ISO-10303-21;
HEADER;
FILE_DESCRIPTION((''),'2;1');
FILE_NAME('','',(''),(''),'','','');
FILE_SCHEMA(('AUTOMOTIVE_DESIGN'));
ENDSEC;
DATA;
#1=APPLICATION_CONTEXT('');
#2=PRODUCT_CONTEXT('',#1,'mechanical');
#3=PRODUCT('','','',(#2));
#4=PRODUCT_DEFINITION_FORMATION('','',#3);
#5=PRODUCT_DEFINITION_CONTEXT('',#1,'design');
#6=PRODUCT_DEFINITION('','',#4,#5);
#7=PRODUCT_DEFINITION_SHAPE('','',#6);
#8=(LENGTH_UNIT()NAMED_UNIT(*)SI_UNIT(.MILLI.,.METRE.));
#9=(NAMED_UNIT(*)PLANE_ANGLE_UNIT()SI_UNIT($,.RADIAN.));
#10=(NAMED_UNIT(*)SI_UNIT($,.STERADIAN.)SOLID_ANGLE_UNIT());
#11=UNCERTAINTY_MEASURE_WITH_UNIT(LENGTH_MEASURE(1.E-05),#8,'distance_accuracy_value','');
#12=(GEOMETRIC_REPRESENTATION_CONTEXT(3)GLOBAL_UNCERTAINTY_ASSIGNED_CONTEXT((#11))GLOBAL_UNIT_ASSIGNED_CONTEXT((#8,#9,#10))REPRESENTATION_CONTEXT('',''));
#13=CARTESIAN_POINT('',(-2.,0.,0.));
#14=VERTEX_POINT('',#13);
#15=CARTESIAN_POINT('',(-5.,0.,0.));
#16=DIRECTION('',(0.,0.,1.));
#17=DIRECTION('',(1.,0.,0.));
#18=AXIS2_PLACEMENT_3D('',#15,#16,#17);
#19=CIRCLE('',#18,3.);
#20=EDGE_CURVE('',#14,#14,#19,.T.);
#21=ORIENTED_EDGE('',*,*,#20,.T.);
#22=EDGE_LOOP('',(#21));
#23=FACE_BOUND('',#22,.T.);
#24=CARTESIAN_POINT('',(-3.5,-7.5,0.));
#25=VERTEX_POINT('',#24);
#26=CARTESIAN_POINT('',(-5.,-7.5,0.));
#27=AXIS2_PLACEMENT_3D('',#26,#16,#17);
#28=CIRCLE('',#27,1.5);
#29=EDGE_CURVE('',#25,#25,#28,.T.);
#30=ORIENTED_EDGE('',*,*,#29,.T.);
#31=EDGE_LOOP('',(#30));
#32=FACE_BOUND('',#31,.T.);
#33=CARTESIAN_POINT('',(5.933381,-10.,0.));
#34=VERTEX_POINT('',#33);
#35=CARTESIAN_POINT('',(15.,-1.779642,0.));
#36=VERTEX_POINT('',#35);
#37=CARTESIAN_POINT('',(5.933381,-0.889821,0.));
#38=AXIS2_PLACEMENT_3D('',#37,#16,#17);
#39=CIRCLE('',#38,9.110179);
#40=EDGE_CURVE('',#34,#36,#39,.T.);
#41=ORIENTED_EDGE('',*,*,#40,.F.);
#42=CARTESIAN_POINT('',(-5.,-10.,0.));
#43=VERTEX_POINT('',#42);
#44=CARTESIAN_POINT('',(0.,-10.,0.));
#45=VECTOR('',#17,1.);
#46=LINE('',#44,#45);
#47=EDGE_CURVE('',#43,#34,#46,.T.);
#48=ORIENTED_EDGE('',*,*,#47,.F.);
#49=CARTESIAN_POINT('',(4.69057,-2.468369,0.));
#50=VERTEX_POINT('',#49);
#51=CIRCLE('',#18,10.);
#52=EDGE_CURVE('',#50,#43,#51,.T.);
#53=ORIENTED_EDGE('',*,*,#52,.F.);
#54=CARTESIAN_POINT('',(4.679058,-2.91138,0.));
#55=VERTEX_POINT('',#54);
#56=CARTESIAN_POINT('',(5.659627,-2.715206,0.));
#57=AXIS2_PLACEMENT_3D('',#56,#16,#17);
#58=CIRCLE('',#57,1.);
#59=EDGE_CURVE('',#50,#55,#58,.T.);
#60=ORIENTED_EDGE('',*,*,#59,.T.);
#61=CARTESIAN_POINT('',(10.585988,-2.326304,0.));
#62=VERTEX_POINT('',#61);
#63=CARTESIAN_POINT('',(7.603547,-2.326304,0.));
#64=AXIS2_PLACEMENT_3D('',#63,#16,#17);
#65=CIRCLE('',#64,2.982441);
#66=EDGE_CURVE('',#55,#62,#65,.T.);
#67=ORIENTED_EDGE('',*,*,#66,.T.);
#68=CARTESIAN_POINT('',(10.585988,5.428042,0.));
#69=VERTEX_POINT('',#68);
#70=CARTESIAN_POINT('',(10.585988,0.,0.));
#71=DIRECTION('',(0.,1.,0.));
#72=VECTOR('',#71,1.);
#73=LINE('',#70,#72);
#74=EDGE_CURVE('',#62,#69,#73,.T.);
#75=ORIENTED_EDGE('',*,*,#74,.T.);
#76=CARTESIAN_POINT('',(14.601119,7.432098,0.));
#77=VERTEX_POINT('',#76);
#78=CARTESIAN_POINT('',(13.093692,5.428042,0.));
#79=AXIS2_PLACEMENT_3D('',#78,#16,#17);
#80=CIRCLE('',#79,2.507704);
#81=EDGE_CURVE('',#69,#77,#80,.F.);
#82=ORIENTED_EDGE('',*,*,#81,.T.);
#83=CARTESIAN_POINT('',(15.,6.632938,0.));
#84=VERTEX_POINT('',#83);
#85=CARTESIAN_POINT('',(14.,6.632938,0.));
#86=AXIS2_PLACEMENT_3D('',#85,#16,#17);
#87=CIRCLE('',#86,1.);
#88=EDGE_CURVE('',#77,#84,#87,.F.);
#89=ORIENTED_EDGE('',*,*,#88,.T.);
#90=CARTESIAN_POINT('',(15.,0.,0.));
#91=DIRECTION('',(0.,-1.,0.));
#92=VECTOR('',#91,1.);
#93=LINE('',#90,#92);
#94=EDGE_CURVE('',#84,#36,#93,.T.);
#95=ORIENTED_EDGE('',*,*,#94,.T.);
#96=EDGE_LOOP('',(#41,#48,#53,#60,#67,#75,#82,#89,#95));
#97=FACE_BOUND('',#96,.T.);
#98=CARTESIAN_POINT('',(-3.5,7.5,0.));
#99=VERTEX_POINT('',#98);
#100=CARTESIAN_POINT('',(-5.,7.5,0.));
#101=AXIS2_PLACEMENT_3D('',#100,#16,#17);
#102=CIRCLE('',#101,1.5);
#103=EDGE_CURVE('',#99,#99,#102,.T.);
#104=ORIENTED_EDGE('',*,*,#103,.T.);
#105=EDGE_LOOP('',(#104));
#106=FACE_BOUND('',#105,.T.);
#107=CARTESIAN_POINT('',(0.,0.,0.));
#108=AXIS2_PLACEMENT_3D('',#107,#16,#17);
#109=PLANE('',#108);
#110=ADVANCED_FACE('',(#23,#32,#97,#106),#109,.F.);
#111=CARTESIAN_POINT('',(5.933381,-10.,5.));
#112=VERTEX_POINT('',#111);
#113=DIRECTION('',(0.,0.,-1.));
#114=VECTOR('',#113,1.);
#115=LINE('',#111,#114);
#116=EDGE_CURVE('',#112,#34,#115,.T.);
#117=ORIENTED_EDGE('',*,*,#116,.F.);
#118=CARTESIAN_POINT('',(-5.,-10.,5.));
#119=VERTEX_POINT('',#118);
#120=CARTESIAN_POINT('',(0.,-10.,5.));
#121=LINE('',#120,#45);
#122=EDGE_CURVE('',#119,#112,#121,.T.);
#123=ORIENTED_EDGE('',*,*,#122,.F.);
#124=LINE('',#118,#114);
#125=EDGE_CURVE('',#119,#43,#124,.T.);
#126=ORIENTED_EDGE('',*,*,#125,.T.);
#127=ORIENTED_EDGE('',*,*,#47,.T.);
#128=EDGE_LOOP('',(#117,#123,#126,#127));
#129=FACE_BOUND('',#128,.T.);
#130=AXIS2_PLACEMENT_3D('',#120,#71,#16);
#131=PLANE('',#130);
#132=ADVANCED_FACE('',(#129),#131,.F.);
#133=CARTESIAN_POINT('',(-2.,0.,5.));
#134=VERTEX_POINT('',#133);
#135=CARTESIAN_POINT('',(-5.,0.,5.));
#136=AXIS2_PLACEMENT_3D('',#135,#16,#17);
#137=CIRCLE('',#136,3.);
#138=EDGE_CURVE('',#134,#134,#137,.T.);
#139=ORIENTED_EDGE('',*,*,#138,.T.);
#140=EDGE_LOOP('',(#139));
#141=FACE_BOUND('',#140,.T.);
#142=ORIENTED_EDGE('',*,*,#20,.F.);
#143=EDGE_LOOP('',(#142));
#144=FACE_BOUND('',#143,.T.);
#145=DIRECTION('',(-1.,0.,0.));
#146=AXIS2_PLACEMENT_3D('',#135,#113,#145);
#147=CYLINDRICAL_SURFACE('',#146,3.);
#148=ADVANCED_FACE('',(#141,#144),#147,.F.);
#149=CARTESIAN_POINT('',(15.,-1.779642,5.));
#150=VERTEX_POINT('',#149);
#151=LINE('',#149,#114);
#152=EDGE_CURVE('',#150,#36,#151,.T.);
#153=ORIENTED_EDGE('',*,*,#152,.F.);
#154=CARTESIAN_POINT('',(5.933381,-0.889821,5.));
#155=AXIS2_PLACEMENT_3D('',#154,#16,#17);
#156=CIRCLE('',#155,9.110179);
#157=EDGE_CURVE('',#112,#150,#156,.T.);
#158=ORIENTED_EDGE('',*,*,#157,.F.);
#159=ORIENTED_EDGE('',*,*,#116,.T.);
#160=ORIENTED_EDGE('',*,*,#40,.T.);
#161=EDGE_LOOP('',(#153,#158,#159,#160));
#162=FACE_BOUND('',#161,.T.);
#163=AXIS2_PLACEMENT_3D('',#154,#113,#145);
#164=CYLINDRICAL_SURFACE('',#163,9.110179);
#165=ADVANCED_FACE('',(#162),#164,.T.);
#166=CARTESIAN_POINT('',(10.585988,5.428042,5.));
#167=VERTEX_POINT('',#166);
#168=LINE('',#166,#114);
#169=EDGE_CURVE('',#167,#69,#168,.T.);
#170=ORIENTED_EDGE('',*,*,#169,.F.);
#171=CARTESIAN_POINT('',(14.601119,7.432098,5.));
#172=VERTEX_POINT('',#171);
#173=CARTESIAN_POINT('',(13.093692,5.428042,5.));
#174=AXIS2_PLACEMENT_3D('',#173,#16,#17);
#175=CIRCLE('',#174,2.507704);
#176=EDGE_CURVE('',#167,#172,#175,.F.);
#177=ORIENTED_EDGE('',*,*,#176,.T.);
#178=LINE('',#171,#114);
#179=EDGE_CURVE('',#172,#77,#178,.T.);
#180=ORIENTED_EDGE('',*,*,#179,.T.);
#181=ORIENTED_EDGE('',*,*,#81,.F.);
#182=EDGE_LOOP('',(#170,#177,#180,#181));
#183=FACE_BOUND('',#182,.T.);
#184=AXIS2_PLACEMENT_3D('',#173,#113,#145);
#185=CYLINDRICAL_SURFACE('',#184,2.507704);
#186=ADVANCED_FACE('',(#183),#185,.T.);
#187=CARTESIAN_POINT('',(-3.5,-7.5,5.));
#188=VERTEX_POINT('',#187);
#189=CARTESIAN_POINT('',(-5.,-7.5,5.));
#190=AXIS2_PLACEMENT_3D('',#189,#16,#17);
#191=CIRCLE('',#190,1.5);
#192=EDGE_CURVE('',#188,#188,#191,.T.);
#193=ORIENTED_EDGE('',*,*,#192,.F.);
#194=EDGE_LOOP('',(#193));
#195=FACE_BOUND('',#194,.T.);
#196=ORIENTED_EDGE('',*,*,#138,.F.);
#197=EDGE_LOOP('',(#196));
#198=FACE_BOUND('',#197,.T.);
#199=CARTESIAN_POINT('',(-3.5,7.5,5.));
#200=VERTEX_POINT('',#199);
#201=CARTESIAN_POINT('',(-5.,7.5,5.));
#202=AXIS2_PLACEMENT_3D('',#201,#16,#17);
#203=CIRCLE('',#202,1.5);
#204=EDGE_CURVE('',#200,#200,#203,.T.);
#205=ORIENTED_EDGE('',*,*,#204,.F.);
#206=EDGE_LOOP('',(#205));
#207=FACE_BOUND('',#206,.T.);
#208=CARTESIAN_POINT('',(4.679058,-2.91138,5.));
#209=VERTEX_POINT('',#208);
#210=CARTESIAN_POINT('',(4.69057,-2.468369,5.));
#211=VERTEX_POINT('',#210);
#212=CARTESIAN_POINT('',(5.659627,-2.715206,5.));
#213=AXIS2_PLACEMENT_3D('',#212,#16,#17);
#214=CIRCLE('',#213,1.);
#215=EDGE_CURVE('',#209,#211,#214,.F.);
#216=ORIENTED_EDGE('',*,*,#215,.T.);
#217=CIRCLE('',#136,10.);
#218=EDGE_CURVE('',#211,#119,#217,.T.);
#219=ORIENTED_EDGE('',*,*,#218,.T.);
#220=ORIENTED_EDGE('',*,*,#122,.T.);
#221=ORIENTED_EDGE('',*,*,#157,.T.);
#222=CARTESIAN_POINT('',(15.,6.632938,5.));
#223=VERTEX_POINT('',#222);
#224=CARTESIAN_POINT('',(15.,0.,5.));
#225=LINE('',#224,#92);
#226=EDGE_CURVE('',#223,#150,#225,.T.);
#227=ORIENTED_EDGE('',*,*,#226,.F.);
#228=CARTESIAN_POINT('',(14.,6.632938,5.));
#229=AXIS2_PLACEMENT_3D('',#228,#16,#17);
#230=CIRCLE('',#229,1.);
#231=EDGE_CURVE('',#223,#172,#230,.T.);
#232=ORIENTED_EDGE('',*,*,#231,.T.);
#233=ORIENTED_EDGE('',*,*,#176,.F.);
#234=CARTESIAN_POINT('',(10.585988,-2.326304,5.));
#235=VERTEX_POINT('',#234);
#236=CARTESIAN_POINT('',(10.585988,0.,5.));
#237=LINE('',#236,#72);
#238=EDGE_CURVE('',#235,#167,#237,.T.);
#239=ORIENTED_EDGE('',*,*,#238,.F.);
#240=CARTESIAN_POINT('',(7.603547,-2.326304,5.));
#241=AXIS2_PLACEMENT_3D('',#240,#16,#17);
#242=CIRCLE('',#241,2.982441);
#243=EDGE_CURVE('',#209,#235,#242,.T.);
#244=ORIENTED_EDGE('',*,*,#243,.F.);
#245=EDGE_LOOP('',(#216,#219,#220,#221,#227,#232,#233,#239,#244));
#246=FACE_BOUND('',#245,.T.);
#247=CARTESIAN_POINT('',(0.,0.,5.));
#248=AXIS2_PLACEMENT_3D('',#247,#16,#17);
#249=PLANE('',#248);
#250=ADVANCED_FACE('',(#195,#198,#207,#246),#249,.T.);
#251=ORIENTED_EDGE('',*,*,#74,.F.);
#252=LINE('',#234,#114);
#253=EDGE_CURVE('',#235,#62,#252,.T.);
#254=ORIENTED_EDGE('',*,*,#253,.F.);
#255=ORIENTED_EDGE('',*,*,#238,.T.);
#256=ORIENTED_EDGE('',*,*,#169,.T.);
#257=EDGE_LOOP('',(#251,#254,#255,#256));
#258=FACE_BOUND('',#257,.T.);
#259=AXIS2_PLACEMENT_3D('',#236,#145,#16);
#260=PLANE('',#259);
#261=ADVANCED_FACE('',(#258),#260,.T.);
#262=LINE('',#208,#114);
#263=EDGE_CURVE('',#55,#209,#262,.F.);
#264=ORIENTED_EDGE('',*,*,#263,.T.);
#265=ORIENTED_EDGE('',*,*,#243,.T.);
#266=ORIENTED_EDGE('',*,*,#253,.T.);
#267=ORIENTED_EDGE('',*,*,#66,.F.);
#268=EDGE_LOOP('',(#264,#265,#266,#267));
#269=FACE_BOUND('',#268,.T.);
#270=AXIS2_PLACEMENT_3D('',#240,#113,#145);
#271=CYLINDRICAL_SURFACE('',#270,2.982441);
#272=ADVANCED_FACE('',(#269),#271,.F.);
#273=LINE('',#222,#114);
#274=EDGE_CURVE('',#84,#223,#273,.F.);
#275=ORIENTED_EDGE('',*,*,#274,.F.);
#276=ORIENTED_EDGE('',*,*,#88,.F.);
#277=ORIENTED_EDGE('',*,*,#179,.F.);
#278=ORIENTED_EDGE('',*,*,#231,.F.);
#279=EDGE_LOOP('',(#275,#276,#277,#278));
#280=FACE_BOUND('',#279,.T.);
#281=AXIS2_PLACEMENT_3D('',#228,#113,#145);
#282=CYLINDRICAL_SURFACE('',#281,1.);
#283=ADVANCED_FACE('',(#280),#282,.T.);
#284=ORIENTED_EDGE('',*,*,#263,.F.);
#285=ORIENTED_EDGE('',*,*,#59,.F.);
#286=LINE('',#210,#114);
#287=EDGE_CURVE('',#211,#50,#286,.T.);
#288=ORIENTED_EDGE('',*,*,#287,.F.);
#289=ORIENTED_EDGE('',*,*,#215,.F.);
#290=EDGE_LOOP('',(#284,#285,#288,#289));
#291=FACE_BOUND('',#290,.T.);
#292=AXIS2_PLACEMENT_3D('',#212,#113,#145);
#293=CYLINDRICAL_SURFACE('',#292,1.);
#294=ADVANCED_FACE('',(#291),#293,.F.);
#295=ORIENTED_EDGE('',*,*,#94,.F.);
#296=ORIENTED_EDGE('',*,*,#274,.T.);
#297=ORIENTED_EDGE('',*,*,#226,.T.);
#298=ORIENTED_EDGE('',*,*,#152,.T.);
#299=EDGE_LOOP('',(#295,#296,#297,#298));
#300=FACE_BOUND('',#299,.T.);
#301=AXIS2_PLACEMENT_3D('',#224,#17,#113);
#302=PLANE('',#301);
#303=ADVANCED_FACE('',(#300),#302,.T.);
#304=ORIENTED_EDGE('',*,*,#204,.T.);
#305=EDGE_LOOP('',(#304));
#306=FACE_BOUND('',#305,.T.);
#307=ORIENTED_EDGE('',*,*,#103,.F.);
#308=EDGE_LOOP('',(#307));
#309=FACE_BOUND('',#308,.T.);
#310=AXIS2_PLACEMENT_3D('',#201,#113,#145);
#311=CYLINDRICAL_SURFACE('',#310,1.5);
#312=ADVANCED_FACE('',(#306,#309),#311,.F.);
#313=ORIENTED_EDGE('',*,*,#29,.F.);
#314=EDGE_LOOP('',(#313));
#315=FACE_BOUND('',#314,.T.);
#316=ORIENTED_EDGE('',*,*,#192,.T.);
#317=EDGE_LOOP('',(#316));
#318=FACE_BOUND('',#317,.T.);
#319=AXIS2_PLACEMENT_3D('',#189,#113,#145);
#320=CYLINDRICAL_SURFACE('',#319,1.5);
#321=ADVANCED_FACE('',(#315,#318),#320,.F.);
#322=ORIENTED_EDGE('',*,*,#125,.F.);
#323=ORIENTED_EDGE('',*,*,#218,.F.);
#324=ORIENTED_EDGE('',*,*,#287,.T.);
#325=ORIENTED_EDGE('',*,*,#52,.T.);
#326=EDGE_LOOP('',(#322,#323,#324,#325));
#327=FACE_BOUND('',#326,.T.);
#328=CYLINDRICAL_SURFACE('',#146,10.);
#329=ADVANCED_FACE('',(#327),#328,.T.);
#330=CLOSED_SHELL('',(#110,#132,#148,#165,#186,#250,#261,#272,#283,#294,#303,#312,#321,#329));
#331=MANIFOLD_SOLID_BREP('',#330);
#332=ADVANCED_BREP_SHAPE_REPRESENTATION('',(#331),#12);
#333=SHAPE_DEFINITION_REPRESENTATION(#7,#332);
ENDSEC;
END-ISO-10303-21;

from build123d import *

# Parameters (mm, degrees)
ESQUISSE1_R        = 1.5
ESQUISSE1_R_2      = 3
BOSS_EXTRU_1_DEPTH = 5
CONG_3_R           = 1
CONG_7_R           = 1


with BuildPart() as part:
    # Esquisse1 → Boss.-Extru.1 (new body)
    with BuildSketch(Plane.XY):
        with BuildLine():
            Line((10.585988002, 5.428041782), (10.585988002, -2.326303621))
            ThreePointArc((10.585988002, -2.326303621), (7.77052424, -5.304066258), (4.639803855, -2.659733377))
            ThreePointArc((4.639803855, -2.659733377), (-11.05816252, 7.956045933), (-5, -10))
            Line((-5, -10), (5.93338076, -10))
            ThreePointArc((5.93338076, -10), (12.052569379, -7.638961176), (15, -1.779641556))
            Line((15, -1.779641556), (15, 0))
            Line((15, 0), (15, 7.057325334))
            ThreePointArc((15, 7.057325334), (12.225325109, 7.780597138), (10.585988002, 5.428041782))
        make_face()
        with Locations((-5, -7.5)):
            Circle(ESQUISSE1_R, mode=Mode.SUBTRACT)
        with Locations((-5, 0)):
            Circle(ESQUISSE1_R_2, mode=Mode.SUBTRACT)
        with Locations((-5, 7.5)):
            Circle(ESQUISSE1_R, mode=Mode.SUBTRACT)
    extrude(amount=BOSS_EXTRU_1_DEPTH)

    # Congé3
    cong_3_edges = [part.edges().sort_by_distance(p)[0] for p in [
        (15, 7.057325334, 2.5),
    ]]
    fillet(cong_3_edges, radius=CONG_3_R)

    # Congé7
    cong_7_edges = [part.edges().sort_by_distance(p)[0] for p in [
        (4.639803855, -2.659733377, 2.5),
    ]]
    fillet(cong_7_edges, radius=CONG_7_R)


solid = part.part
